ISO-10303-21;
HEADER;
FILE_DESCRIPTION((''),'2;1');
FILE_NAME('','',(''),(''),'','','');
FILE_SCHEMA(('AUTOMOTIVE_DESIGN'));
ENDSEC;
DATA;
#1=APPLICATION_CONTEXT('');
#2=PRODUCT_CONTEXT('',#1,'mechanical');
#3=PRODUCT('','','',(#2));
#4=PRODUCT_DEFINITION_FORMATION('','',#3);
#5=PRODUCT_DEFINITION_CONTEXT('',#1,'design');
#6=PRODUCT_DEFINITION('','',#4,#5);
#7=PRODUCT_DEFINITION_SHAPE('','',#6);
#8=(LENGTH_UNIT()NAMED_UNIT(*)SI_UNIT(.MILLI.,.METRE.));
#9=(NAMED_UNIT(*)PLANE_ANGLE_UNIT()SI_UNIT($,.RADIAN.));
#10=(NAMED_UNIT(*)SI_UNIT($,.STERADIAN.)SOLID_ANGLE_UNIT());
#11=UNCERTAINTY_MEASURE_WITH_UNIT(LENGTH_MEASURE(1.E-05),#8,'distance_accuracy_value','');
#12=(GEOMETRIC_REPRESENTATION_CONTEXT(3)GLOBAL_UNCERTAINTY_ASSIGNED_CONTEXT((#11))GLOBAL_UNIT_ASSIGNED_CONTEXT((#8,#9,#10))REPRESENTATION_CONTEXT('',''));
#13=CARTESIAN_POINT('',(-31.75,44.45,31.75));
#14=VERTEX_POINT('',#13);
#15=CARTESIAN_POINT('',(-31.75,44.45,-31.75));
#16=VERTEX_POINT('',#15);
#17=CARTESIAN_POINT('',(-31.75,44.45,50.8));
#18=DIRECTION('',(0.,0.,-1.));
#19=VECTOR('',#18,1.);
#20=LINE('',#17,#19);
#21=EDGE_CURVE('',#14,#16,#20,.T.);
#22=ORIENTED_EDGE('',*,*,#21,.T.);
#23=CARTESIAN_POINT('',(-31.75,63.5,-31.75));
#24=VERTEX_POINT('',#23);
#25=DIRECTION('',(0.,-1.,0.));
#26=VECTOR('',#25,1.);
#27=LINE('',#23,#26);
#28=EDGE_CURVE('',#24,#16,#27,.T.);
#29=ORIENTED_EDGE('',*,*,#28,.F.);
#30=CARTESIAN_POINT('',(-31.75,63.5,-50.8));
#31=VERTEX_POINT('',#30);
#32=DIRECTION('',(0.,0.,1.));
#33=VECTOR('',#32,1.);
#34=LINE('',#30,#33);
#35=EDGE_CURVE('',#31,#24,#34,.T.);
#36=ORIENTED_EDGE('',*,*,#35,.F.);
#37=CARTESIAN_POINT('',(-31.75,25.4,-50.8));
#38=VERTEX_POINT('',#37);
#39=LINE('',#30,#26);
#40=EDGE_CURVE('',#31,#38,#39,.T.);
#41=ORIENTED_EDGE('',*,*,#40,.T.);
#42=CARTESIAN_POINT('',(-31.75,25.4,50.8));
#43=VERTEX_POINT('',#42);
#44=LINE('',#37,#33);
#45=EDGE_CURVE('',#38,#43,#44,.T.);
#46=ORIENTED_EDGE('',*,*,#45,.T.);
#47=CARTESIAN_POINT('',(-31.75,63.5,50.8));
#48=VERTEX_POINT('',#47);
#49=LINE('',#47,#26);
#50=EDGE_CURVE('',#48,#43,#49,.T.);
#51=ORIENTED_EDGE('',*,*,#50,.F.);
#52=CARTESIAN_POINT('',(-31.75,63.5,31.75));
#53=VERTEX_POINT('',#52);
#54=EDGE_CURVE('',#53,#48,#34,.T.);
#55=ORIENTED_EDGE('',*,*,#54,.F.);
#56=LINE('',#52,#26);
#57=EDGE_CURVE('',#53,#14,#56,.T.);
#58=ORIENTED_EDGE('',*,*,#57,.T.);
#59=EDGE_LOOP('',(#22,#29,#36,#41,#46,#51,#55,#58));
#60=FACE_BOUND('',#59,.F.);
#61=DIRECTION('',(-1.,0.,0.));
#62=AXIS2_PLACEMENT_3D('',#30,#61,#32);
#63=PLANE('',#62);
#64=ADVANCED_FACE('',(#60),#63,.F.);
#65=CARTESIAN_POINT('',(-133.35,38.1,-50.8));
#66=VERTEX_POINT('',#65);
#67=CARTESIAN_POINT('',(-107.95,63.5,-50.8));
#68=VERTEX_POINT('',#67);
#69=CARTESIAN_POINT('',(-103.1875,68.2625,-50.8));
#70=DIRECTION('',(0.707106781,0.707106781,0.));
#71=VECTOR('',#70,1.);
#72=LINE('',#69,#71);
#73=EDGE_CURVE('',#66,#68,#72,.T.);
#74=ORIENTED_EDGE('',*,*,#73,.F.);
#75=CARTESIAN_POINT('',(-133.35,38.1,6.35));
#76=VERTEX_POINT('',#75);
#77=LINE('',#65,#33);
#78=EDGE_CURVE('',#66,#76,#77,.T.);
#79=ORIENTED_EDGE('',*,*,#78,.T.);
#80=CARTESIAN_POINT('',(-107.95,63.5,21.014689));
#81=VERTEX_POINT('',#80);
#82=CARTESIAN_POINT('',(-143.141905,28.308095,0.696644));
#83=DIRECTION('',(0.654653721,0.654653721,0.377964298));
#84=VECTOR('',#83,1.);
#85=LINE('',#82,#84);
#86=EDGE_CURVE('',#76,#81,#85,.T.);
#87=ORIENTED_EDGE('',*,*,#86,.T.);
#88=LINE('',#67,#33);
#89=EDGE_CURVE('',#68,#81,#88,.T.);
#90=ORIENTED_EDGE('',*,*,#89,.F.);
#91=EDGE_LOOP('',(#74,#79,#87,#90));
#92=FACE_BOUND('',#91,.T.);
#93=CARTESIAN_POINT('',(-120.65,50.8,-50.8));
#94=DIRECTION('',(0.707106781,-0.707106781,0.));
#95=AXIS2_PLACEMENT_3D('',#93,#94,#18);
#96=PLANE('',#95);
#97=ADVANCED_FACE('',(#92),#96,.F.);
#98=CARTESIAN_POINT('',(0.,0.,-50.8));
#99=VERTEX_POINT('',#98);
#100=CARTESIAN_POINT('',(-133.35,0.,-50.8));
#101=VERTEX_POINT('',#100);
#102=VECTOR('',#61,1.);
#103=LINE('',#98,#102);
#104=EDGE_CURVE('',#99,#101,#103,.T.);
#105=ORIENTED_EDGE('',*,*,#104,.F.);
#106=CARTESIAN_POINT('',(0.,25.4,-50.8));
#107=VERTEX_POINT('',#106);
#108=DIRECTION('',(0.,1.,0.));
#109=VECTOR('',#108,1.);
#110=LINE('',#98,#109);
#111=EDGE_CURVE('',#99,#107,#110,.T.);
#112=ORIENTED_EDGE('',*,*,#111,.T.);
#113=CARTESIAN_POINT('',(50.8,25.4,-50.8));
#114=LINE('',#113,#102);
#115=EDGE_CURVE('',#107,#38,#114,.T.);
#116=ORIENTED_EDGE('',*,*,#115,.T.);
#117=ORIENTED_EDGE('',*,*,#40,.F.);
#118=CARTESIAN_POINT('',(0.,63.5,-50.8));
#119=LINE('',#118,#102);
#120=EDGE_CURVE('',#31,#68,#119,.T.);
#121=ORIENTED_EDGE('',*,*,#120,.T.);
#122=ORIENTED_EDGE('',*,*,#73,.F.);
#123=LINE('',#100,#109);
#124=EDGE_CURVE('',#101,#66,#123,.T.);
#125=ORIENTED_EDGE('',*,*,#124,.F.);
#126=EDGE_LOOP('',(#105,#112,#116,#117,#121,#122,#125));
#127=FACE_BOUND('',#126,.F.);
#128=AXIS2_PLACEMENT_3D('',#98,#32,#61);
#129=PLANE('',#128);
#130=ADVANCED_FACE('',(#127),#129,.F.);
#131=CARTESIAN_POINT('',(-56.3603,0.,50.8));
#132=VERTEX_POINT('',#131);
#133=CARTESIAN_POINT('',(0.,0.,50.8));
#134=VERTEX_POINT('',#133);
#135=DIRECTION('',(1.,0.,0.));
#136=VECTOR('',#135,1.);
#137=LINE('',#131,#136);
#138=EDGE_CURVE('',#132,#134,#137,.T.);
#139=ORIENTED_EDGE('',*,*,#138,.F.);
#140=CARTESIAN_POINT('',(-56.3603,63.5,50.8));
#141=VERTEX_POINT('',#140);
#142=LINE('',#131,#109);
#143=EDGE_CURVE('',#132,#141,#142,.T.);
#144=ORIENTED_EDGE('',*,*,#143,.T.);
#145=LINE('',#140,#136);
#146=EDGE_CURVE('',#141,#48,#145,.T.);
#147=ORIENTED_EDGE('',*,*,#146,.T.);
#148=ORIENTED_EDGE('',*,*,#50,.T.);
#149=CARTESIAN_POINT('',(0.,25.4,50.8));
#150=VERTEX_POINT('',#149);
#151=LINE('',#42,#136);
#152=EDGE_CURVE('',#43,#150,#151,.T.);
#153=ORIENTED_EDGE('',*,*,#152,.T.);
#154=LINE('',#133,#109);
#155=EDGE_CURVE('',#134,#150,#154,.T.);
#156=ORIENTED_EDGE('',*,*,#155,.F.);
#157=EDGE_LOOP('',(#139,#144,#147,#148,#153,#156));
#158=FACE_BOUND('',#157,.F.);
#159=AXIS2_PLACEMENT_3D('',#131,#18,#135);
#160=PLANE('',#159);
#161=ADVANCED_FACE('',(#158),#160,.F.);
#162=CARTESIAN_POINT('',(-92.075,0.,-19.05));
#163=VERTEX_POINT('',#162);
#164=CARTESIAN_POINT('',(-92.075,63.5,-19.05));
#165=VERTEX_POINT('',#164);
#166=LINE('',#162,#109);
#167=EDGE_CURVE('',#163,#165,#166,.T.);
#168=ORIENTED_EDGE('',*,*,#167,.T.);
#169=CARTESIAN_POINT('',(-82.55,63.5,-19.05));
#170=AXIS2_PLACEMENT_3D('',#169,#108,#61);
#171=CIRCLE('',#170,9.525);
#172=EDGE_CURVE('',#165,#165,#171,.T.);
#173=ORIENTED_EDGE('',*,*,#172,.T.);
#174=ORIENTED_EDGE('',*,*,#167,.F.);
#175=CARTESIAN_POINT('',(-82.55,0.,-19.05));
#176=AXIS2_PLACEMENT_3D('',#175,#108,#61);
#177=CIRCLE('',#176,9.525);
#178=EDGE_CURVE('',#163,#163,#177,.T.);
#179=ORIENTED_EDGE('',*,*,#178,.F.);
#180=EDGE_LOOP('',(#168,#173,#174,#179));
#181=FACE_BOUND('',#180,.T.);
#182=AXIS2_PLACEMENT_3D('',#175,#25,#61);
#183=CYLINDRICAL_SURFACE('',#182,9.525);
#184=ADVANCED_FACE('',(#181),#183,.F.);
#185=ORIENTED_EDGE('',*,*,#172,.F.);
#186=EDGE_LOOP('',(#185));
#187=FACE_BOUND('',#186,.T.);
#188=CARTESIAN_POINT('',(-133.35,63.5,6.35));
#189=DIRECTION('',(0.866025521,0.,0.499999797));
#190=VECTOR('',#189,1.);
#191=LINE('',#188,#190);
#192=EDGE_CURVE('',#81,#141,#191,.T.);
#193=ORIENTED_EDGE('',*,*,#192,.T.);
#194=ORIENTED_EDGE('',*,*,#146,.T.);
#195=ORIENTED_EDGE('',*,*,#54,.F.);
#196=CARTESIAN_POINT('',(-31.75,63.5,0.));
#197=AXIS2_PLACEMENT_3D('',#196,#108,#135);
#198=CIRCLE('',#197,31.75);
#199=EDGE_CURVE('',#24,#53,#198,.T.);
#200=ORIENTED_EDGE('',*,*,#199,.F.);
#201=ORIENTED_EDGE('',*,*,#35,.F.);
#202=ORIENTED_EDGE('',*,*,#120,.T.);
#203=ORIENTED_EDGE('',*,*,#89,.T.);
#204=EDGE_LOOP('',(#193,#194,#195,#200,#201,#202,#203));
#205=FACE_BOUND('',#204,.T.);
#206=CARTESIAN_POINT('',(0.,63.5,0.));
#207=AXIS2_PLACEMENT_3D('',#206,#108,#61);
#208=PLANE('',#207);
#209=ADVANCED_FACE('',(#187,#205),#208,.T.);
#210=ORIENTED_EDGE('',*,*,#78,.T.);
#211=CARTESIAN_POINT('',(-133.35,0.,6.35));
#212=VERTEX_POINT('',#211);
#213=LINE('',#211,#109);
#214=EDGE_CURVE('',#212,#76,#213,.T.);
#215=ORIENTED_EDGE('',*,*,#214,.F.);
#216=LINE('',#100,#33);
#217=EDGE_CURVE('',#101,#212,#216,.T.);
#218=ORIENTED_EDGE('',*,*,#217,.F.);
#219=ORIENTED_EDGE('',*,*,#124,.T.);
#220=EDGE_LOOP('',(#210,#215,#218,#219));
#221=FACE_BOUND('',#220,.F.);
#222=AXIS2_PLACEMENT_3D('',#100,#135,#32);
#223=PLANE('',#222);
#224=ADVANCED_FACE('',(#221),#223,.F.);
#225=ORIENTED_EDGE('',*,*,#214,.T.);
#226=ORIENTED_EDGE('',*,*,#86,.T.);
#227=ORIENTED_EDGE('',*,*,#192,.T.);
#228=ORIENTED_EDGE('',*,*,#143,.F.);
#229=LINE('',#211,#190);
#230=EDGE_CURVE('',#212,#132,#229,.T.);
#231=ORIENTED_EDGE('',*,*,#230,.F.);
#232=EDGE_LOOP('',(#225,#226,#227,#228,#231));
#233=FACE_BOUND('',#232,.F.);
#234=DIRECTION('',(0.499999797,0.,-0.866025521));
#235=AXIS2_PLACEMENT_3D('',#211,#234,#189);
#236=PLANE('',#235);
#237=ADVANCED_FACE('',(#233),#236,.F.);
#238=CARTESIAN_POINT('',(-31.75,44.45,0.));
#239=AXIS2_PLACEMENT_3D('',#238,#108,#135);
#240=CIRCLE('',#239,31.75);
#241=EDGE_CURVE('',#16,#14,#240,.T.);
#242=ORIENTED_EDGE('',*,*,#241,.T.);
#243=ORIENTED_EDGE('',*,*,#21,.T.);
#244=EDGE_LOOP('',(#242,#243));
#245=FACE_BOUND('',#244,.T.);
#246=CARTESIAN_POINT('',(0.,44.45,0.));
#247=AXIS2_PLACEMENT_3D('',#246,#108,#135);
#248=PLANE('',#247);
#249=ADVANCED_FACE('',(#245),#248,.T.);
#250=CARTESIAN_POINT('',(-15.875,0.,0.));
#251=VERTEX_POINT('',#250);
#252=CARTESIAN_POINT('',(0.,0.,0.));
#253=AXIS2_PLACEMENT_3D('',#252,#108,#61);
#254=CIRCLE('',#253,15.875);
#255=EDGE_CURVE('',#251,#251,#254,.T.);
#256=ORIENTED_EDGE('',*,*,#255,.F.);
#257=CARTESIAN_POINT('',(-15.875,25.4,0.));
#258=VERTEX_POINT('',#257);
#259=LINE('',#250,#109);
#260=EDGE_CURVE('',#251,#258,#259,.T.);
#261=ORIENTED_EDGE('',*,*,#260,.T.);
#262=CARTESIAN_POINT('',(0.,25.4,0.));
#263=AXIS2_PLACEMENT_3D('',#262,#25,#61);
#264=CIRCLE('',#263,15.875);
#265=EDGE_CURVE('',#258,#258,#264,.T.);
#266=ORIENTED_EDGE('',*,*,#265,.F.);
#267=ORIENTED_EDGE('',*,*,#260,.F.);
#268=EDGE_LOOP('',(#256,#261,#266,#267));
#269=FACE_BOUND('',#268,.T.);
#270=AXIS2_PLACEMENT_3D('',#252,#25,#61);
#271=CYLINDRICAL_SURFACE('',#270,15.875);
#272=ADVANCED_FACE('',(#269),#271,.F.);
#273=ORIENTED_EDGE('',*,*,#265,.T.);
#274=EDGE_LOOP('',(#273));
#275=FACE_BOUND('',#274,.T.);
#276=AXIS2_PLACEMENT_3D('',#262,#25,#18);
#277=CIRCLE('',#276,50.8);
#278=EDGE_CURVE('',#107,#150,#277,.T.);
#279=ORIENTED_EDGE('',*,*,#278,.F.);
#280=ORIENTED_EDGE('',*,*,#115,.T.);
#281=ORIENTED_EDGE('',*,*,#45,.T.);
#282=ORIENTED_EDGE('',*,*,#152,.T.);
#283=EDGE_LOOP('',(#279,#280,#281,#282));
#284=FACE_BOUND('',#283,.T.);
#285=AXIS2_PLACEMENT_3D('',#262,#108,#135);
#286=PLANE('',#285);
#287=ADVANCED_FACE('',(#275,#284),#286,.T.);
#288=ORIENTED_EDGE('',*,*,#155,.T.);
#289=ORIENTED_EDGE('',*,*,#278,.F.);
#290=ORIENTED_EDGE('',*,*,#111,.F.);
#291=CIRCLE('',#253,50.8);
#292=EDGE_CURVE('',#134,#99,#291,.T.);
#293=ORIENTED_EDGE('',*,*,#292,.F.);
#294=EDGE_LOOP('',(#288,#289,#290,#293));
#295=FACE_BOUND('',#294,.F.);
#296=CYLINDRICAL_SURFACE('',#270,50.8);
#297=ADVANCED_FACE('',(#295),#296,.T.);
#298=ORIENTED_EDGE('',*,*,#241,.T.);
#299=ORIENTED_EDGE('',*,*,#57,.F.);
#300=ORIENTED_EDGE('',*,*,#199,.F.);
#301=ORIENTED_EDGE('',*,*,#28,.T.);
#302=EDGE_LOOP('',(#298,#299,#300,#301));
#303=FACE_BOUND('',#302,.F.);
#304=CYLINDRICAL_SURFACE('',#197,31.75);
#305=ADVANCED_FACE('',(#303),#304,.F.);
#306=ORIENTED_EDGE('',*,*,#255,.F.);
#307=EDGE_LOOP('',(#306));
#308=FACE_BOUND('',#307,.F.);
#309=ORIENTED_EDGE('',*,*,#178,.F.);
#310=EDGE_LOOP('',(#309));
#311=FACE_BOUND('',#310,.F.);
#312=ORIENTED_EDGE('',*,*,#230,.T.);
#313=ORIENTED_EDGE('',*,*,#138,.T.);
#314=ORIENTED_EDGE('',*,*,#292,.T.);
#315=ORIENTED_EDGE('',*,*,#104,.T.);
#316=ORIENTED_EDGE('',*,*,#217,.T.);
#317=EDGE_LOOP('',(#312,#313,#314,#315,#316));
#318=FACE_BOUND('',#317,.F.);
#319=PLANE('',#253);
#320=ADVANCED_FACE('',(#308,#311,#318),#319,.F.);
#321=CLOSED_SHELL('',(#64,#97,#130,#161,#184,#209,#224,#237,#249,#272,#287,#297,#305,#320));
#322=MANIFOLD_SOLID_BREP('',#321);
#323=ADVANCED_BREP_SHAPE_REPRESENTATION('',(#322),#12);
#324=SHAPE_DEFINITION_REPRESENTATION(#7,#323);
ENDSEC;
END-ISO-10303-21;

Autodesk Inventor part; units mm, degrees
ref_plane "YZ Plane" through (0, 0, 0) normal (1, 0, 0) x (0, 1, 0)
ref_plane "XZ Plane" through (0, 0, 0) normal (0, 1, 0) x (-1, 0, 0)
ref_plane "XY Plane" through (0, 0, 0) normal (0, 0, 1) x (1, 0, 0)
sketch "Sketch1" plane through (0, 0, 0) normal (0, 1, 0) x (-1, 0, 0)
  circle A0 centre (0, 0) radius 15.875
  circle A1 centre (0, 0) radius 50.8
  line L0 (0, -50.8) -> (133.35, -50.8)
  line L1 (133.35, -50.8) -> (133.35, 6.35)
  line L2 (133.35, 6.35) -> (56.3603, 50.8)
  line L3 (56.3603, 50.8) -> (0, 50.8)
  circle A2 centre (82.55, -19.05) radius 9.525
  dimension "d0" = 101.6
  dimension "d1" = 133.35
  dimension "d4" = 60
  dimension "d5" = 57.15
  dimension "d6" = 31.75
  dimension "d7" = 19.05
  dimension "d8" = 31.75
  dimension "d9" = 82.55
extrude "MAIN BLOCK" add sketch "Sketch1" along normal blind 63.5
sketch "Sketch2" plane through (0, 63.5, 0) normal (0, 1, 0) x (1, 0, 0)
  line L0 (-31.75, -50.8) -> (50.8, -50.8)
  line L1 (50.8, -50.8) -> (50.8, 50.8)
  line L2 (50.8, 50.8) -> (-31.75, 50.8)
  line L3 (-31.75, 50.8) -> (-31.75, -50.8)
  arc A0 (0, -50.8) -> (0, 50.8) centre (0, 0) ccw projected
  line L4 (0, 50.8) -> (-133.35, 50.8) projected
  line L5 (-56.3603, -50.8) -> (0, -50.8) projected
  point P0 (0, 50.8)
  dimension "d12" = 31.75
extrude "SQUARE CUTOUT" cut sketch "Sketch2" against normal blind 38.1 contours L3 L2 A0 L0
sketch "Sketch3" plane through (0, 63.5, 0) normal (0, 1, 0) x (1, 0, 0)
  line L0 (-31.75, -50.8) -> (-31.75, 50.8) projected
  circle A0 centre (-31.75, 0) radius 31.75
  point P0 (0, 0)
  point P1 (-31.75, 31.75)
  point P2 (-31.75, -31.75)
  dimension "d15" = 63.5
extrude "HALF CIRCLE CUTOUT" cut sketch "Sketch3" against normal blind 19.05 contours A0 L0 picked at (-42.2562, -1.2757)
chamfer "REAR CHAMFER" distance 25.4 angle 45 1 edges at (-133.35, 63.5, -22.225)
properties part number "ANS8-2-BK" material "Bronze, Cast"
